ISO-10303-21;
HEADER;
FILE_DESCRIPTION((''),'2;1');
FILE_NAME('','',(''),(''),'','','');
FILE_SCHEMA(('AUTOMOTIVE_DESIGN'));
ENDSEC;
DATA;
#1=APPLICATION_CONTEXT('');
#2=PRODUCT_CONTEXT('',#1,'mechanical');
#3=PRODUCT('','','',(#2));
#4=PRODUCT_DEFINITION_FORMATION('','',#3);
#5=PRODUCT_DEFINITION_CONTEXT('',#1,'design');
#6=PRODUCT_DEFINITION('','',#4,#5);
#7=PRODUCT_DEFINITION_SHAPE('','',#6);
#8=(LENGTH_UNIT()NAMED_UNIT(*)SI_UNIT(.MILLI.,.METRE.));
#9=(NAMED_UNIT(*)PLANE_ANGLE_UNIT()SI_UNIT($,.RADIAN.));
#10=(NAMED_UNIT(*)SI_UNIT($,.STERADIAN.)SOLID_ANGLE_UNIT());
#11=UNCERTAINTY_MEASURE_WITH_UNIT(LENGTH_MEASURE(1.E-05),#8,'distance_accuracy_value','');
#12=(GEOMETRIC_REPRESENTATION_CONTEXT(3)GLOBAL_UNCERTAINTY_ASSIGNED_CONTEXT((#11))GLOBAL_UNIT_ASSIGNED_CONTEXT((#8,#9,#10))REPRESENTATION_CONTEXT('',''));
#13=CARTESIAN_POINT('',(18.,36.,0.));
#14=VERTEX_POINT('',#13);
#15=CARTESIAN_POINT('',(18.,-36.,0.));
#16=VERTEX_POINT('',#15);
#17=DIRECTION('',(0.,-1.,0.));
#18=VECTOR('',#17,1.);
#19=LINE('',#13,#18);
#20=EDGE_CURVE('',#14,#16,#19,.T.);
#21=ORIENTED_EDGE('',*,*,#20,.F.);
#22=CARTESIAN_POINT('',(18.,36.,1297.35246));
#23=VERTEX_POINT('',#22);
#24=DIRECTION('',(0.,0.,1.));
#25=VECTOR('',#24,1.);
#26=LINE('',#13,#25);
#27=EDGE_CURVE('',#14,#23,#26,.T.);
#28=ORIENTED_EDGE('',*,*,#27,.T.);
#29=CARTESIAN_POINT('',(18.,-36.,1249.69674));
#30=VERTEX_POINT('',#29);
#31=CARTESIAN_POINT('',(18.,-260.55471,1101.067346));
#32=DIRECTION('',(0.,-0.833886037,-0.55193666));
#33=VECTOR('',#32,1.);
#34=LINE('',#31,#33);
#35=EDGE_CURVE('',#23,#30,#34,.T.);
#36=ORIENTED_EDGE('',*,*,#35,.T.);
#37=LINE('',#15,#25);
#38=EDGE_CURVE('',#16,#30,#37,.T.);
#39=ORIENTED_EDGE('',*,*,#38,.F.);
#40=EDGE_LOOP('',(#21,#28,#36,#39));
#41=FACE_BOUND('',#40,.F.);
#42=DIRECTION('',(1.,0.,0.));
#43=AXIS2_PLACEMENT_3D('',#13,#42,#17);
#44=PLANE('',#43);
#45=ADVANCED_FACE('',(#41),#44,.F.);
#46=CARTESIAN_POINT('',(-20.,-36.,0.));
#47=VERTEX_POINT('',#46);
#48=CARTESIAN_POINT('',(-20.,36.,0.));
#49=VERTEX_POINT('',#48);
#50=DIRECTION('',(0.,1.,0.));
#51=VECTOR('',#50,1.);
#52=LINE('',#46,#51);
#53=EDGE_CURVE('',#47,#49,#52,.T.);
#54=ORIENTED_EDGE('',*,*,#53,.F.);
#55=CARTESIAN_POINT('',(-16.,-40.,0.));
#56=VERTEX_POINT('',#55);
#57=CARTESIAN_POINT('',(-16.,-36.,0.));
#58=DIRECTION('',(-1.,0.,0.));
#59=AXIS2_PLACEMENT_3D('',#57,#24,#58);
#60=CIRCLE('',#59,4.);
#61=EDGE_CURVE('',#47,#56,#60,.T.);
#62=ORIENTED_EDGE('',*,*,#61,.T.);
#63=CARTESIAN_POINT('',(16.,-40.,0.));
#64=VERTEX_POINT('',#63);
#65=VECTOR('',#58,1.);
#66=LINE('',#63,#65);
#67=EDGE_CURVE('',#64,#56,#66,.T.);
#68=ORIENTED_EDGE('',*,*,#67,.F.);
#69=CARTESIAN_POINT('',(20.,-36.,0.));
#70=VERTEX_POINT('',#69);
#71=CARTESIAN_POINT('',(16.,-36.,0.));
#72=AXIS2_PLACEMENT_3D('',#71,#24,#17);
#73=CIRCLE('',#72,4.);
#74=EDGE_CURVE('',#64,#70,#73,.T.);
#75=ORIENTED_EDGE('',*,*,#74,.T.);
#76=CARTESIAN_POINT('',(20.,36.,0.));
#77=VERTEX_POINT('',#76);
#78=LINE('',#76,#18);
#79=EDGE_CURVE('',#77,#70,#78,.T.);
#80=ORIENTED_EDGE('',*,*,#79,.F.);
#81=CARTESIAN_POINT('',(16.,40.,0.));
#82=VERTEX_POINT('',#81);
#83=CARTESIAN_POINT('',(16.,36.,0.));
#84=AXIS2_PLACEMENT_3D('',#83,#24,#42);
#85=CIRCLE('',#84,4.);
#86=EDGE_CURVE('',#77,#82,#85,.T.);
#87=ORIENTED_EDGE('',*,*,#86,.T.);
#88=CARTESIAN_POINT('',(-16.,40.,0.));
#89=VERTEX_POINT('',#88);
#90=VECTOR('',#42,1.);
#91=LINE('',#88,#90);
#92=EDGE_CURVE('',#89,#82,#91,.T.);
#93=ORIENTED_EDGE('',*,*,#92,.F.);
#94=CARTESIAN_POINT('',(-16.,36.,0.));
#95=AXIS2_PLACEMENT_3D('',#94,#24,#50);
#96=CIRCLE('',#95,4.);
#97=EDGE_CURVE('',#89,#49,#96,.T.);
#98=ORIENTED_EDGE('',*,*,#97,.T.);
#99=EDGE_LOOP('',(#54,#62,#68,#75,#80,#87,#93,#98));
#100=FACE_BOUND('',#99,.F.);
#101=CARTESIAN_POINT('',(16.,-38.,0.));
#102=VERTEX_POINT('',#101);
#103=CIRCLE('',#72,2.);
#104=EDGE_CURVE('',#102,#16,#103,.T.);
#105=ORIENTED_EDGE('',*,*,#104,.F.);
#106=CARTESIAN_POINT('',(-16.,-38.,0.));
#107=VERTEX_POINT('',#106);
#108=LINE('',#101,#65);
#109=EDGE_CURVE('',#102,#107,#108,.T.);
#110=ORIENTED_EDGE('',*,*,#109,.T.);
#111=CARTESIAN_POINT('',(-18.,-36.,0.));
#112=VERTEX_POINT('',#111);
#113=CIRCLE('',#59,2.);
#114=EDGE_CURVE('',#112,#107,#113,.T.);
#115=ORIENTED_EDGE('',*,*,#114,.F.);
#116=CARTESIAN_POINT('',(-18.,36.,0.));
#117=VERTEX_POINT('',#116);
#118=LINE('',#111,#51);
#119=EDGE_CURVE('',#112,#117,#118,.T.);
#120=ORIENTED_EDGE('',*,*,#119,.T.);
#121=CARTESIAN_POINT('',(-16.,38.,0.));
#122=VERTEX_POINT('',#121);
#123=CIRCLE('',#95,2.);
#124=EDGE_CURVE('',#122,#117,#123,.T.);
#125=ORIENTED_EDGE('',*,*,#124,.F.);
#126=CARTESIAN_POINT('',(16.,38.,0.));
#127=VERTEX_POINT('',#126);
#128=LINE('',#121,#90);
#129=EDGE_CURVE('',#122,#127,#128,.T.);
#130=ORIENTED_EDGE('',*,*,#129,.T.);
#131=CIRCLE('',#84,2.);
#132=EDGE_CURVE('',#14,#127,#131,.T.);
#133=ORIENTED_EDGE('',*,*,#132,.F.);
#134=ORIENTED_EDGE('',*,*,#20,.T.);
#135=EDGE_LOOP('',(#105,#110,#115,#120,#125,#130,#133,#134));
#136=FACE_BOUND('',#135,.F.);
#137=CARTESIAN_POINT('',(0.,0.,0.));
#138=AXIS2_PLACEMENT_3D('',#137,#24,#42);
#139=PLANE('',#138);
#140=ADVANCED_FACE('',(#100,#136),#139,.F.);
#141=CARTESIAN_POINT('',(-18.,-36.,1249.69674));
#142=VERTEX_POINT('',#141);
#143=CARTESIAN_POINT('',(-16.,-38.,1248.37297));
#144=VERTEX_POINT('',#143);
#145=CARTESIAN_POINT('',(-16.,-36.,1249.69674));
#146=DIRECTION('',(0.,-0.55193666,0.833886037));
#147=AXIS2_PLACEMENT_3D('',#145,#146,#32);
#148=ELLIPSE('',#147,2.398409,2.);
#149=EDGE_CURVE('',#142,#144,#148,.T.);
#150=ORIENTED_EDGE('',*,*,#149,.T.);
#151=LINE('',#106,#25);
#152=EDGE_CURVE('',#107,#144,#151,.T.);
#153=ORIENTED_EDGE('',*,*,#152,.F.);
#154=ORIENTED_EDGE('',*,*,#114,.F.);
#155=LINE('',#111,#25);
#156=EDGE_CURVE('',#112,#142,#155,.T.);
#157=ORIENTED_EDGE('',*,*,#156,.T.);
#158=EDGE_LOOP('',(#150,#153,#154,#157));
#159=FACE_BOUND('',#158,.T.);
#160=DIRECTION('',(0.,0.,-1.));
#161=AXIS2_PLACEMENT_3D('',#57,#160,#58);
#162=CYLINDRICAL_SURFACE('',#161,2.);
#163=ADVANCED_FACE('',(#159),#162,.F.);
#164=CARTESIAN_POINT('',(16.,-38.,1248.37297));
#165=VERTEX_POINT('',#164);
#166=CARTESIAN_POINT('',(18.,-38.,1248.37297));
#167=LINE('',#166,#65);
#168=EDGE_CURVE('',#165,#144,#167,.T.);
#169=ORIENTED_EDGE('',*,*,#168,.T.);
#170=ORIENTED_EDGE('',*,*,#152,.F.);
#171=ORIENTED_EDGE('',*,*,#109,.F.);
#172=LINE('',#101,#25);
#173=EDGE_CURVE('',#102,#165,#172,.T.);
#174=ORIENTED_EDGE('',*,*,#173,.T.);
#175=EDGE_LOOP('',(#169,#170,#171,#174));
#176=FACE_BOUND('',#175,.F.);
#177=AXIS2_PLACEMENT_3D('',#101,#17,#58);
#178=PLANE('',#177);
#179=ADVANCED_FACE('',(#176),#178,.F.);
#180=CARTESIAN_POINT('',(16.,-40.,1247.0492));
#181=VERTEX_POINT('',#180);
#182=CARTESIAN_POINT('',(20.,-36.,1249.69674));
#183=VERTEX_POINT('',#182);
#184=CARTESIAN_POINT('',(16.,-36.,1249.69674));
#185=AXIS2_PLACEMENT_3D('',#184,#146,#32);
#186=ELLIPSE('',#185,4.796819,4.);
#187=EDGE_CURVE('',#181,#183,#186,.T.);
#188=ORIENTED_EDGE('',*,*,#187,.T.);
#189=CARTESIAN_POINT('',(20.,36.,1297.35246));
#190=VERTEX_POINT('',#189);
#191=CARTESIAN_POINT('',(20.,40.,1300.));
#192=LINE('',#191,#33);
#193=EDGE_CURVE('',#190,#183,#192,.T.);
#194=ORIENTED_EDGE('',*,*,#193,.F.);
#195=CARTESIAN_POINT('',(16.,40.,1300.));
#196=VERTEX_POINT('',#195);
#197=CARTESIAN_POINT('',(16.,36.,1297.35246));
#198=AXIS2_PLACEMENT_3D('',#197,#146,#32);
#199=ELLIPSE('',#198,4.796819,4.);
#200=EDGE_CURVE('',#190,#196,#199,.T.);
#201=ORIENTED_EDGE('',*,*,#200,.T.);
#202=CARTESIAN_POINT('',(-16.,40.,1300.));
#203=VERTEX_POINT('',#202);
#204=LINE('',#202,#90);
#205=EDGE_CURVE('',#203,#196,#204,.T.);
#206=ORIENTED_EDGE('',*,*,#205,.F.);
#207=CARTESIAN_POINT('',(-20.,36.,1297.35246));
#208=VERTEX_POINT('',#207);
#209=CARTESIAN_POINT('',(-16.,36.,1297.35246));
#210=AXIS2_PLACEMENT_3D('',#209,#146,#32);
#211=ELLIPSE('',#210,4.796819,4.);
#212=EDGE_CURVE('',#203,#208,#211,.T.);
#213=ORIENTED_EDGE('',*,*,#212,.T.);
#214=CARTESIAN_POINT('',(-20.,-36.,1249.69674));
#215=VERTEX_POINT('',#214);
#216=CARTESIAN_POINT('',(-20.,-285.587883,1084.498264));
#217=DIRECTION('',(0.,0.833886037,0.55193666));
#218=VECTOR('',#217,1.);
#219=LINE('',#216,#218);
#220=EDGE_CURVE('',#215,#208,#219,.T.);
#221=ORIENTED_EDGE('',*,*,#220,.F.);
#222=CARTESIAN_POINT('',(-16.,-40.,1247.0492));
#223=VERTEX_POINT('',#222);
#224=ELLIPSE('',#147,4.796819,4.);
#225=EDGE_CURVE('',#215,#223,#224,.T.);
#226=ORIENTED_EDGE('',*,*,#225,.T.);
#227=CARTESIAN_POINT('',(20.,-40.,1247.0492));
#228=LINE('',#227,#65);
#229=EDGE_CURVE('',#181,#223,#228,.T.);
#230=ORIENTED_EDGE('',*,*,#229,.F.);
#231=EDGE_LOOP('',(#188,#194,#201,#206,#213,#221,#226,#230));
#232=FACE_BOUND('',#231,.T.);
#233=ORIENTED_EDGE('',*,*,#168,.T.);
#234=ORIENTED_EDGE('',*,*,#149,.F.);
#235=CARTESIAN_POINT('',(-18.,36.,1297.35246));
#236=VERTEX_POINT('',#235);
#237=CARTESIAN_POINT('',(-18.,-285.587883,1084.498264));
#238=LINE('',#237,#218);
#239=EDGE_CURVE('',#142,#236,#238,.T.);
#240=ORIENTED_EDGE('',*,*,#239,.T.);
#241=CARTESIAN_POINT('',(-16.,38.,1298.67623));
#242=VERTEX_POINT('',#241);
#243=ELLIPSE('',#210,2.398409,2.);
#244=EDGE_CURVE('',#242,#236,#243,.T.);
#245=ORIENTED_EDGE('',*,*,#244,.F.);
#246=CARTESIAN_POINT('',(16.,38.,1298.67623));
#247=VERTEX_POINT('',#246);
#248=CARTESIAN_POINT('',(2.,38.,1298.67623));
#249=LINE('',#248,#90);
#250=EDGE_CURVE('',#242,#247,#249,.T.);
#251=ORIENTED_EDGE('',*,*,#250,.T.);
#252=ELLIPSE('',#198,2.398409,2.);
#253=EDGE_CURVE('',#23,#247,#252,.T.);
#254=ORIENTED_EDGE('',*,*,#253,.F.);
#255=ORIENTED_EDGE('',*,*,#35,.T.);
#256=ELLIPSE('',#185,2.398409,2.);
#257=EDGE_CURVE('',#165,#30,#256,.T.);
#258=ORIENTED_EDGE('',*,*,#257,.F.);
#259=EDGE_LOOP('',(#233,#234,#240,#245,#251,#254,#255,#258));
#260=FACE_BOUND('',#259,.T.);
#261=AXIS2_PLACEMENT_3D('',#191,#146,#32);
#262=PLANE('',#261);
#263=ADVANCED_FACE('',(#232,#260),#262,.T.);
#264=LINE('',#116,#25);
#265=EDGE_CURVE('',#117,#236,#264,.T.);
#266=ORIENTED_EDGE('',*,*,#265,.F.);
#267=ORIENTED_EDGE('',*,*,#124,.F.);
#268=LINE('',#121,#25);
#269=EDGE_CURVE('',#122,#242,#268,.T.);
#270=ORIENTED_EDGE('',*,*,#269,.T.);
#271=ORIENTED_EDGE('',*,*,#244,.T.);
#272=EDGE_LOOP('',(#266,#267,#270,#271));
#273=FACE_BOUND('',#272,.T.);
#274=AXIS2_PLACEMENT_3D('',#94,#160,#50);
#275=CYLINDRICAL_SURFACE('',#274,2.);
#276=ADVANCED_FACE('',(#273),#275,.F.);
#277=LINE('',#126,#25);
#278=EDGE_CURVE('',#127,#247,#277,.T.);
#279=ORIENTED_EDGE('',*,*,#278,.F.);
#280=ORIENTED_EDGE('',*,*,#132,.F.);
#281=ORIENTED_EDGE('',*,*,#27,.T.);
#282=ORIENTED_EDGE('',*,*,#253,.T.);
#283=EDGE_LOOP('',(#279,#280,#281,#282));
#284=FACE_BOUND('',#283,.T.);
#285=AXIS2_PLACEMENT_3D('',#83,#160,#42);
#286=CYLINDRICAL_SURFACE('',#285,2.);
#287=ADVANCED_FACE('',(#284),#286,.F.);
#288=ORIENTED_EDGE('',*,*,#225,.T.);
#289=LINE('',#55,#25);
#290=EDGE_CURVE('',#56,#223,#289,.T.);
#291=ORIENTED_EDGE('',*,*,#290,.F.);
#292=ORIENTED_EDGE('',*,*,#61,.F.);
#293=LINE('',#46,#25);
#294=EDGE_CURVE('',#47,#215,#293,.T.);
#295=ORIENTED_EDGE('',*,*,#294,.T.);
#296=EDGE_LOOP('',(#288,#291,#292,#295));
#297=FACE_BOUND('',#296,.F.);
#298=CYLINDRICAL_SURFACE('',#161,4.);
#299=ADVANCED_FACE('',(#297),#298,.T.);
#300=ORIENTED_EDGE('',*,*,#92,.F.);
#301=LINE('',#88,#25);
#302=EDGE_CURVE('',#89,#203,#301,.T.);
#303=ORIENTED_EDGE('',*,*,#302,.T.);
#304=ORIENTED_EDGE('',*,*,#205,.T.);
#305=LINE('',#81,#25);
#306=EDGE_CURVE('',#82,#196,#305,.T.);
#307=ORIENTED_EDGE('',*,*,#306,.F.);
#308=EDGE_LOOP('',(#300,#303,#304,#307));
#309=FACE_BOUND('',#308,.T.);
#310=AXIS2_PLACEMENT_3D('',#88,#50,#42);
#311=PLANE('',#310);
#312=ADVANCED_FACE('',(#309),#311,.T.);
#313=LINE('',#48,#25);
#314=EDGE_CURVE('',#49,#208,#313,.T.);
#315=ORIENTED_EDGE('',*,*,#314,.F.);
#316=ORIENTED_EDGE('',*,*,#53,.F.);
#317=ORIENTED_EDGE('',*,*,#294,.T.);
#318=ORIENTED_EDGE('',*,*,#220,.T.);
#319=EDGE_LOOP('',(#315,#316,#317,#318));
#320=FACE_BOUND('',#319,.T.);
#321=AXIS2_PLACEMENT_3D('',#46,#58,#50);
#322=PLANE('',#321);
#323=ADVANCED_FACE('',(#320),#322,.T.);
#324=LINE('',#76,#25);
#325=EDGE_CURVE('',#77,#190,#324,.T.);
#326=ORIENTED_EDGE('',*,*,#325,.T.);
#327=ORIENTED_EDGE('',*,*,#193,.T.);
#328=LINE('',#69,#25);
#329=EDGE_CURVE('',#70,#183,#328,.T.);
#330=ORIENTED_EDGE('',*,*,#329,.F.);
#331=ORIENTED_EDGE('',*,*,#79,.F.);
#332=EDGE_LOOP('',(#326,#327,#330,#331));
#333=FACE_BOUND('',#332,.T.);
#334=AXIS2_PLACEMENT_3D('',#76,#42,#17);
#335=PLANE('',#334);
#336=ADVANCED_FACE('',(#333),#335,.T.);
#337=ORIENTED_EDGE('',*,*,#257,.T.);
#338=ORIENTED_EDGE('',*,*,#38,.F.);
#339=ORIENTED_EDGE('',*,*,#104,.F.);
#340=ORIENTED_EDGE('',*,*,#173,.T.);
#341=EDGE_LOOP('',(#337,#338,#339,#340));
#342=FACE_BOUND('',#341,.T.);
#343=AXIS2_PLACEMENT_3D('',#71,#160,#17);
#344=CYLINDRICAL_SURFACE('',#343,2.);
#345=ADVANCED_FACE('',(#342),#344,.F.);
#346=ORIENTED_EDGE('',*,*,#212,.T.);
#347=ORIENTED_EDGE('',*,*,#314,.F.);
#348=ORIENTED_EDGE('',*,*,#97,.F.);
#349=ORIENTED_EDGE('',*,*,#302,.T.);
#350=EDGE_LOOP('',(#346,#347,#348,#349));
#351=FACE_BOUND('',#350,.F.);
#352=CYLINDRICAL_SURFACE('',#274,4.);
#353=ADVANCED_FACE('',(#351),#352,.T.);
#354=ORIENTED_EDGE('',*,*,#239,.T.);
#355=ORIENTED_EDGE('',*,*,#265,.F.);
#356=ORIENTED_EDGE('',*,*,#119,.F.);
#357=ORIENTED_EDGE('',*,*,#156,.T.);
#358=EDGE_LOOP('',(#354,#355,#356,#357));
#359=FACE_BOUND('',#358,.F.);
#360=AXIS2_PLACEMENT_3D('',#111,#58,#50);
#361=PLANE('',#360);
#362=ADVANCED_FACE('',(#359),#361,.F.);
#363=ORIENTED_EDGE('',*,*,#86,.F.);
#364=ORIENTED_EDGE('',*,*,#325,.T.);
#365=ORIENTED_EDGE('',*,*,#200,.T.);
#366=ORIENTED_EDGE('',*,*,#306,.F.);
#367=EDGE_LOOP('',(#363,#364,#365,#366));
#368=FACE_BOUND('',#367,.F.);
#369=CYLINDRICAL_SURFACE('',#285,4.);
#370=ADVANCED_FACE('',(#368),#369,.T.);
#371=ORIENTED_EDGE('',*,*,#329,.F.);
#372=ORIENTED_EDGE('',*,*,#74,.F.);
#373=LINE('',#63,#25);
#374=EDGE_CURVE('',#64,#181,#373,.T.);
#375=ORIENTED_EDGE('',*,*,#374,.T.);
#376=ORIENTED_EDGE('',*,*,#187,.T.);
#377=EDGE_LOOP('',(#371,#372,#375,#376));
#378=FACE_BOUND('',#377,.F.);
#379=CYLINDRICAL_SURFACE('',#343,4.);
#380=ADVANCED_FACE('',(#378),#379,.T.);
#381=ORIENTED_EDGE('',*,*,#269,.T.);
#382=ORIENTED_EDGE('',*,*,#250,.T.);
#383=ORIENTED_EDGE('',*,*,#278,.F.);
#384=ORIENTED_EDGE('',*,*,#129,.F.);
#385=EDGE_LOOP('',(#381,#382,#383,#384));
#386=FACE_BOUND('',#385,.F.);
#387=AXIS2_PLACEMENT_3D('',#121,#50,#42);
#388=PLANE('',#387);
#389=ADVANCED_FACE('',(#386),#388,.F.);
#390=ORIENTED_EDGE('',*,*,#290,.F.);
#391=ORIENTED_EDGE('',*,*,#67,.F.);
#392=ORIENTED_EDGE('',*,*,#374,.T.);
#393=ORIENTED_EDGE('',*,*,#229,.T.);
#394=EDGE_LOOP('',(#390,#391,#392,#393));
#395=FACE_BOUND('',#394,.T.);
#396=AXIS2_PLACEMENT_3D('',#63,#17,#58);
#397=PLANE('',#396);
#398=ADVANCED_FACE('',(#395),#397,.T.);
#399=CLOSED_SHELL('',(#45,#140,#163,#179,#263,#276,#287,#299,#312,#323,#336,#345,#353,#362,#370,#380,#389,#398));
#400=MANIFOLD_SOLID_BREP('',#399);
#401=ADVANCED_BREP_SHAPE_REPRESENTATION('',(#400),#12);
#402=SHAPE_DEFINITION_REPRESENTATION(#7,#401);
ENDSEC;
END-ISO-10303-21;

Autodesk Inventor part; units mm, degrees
ref_plane "YZ Plane" through (0, 0, 0) normal (1, 0, 0) x (0, 1, 0)
ref_plane "Start plane" through (0, 0, 0) normal (0, 0, 1) x (1, 0, 0)
ref_plane "End plane" through (0, 0, 1300) normal (0, 0, 1) x (1, 0, 0)
sketch "Sketch" plane through (0, 0, 0) normal (0, 0, 1) x (1, 0, 0)
  line L0 (-20, -36) -> (-20, 36)
  line L1 (-16, 40) -> (16, 40)
  line L2 (20, 36) -> (20, -36)
  line L3 (16, -40) -> (-16, -40)
  arc A0 (-20, -36) -> (-16, -40) centre (-16, -36) ccw
  arc A1 (20, 36) -> (16, 40) centre (16, 36) ccw
  arc A2 (-16, 40) -> (-20, 36) centre (-16, 36) ccw
  arc A3 (16, -40) -> (20, -36) centre (16, -36) ccw
  arc A4 (-16, 38) -> (-18, 36) centre (-16, 36) ccw
  line L4 (-16, 38) -> (16, 38)
  arc A5 (18, 36) -> (16, 38) centre (16, 36) ccw
  line L5 (18, 36) -> (18, -36)
  arc A6 (16, -38) -> (18, -36) centre (16, -36) ccw
  line L6 (16, -38) -> (-16, -38)
  arc A7 (-18, -36) -> (-16, -38) centre (-16, -36) ccw
  line L7 (-18, -36) -> (-18, 36)
  line L8 (0, 37.1021) -> (0, -37.1021) construction
  line L9 (-23.1021, 0) -> (23.1021, 0) construction
  dimension "d7" = 4
  dimension "d9" = 40
  dimension "d11" = 80
  dimension "d12" = 2
  dimension "d15" = 20
  dimension "d16" = 40
extrude "Body" add sketch "Sketch" along normal up to surface (1300 mm away) from surface at 0
sketch "Sketch3" plane through (0, 0, 0) normal (0, 0, 1) x (1, 0, 0)
  line L0 (0, 0) -> (10, 0)
ref_plane "Work Plane3" through (0, 0, 0) normal (0, -1, 0) x (1, 0, 0)
sketch "Sketch5" plane through (20, -36, 1300) normal (1, 0, 0) x (0, 0, -1)
  line L0 (0, 72) -> (0, 0) projected
  line L1 (0, 72) -> (0, 76) projected
  line L2 (1300, 76) -> (0, 76) projected
  line L3 (1300, -4) -> (0, -4) projected
  line L4 (0, -4) -> (0, 0) projected
  line L5 (0, 76) -> (52.9508, -4)
  point P0 (1300, 36)
  dimension "d19" = 33.5
extrude "Extrusion2" cut sketch "Sketch5" against normal through all
sketch "Sketch4" plane through (0, 0, 0) normal (0, -1, 0) x (1, 0, 0)
  line L0 (-2, 0) -> (12, 0) projected
  line L1 (-2, 1300) -> (12, 1300) projected
  dimension "d18" = 1300
equation "\"d7\" = G_IR"
equation "\"d9\" = G_W"
equation "\"d11\" = G_H"
equation "\"d12\" = G_T"
equation "\"d15\" = 0.5 * d9"
equation "\"d16\" = 0.5 * d11"
equation "\"d3\" = G_L"
equation "\"G_W\" = 40"
equation "\"G_H\" = 80"
equation "\"G_T\" = 2"
equation "\"G_IR\" = 4"
equation "\"G_L\" = d18"
equation "\"G_OFFSET_START\" = 0"
equation "\"G_OFFSET_END\" = 0"
properties part number "ISO 4019 - 80x40x2 - 1300" material "Steel, Mild"
